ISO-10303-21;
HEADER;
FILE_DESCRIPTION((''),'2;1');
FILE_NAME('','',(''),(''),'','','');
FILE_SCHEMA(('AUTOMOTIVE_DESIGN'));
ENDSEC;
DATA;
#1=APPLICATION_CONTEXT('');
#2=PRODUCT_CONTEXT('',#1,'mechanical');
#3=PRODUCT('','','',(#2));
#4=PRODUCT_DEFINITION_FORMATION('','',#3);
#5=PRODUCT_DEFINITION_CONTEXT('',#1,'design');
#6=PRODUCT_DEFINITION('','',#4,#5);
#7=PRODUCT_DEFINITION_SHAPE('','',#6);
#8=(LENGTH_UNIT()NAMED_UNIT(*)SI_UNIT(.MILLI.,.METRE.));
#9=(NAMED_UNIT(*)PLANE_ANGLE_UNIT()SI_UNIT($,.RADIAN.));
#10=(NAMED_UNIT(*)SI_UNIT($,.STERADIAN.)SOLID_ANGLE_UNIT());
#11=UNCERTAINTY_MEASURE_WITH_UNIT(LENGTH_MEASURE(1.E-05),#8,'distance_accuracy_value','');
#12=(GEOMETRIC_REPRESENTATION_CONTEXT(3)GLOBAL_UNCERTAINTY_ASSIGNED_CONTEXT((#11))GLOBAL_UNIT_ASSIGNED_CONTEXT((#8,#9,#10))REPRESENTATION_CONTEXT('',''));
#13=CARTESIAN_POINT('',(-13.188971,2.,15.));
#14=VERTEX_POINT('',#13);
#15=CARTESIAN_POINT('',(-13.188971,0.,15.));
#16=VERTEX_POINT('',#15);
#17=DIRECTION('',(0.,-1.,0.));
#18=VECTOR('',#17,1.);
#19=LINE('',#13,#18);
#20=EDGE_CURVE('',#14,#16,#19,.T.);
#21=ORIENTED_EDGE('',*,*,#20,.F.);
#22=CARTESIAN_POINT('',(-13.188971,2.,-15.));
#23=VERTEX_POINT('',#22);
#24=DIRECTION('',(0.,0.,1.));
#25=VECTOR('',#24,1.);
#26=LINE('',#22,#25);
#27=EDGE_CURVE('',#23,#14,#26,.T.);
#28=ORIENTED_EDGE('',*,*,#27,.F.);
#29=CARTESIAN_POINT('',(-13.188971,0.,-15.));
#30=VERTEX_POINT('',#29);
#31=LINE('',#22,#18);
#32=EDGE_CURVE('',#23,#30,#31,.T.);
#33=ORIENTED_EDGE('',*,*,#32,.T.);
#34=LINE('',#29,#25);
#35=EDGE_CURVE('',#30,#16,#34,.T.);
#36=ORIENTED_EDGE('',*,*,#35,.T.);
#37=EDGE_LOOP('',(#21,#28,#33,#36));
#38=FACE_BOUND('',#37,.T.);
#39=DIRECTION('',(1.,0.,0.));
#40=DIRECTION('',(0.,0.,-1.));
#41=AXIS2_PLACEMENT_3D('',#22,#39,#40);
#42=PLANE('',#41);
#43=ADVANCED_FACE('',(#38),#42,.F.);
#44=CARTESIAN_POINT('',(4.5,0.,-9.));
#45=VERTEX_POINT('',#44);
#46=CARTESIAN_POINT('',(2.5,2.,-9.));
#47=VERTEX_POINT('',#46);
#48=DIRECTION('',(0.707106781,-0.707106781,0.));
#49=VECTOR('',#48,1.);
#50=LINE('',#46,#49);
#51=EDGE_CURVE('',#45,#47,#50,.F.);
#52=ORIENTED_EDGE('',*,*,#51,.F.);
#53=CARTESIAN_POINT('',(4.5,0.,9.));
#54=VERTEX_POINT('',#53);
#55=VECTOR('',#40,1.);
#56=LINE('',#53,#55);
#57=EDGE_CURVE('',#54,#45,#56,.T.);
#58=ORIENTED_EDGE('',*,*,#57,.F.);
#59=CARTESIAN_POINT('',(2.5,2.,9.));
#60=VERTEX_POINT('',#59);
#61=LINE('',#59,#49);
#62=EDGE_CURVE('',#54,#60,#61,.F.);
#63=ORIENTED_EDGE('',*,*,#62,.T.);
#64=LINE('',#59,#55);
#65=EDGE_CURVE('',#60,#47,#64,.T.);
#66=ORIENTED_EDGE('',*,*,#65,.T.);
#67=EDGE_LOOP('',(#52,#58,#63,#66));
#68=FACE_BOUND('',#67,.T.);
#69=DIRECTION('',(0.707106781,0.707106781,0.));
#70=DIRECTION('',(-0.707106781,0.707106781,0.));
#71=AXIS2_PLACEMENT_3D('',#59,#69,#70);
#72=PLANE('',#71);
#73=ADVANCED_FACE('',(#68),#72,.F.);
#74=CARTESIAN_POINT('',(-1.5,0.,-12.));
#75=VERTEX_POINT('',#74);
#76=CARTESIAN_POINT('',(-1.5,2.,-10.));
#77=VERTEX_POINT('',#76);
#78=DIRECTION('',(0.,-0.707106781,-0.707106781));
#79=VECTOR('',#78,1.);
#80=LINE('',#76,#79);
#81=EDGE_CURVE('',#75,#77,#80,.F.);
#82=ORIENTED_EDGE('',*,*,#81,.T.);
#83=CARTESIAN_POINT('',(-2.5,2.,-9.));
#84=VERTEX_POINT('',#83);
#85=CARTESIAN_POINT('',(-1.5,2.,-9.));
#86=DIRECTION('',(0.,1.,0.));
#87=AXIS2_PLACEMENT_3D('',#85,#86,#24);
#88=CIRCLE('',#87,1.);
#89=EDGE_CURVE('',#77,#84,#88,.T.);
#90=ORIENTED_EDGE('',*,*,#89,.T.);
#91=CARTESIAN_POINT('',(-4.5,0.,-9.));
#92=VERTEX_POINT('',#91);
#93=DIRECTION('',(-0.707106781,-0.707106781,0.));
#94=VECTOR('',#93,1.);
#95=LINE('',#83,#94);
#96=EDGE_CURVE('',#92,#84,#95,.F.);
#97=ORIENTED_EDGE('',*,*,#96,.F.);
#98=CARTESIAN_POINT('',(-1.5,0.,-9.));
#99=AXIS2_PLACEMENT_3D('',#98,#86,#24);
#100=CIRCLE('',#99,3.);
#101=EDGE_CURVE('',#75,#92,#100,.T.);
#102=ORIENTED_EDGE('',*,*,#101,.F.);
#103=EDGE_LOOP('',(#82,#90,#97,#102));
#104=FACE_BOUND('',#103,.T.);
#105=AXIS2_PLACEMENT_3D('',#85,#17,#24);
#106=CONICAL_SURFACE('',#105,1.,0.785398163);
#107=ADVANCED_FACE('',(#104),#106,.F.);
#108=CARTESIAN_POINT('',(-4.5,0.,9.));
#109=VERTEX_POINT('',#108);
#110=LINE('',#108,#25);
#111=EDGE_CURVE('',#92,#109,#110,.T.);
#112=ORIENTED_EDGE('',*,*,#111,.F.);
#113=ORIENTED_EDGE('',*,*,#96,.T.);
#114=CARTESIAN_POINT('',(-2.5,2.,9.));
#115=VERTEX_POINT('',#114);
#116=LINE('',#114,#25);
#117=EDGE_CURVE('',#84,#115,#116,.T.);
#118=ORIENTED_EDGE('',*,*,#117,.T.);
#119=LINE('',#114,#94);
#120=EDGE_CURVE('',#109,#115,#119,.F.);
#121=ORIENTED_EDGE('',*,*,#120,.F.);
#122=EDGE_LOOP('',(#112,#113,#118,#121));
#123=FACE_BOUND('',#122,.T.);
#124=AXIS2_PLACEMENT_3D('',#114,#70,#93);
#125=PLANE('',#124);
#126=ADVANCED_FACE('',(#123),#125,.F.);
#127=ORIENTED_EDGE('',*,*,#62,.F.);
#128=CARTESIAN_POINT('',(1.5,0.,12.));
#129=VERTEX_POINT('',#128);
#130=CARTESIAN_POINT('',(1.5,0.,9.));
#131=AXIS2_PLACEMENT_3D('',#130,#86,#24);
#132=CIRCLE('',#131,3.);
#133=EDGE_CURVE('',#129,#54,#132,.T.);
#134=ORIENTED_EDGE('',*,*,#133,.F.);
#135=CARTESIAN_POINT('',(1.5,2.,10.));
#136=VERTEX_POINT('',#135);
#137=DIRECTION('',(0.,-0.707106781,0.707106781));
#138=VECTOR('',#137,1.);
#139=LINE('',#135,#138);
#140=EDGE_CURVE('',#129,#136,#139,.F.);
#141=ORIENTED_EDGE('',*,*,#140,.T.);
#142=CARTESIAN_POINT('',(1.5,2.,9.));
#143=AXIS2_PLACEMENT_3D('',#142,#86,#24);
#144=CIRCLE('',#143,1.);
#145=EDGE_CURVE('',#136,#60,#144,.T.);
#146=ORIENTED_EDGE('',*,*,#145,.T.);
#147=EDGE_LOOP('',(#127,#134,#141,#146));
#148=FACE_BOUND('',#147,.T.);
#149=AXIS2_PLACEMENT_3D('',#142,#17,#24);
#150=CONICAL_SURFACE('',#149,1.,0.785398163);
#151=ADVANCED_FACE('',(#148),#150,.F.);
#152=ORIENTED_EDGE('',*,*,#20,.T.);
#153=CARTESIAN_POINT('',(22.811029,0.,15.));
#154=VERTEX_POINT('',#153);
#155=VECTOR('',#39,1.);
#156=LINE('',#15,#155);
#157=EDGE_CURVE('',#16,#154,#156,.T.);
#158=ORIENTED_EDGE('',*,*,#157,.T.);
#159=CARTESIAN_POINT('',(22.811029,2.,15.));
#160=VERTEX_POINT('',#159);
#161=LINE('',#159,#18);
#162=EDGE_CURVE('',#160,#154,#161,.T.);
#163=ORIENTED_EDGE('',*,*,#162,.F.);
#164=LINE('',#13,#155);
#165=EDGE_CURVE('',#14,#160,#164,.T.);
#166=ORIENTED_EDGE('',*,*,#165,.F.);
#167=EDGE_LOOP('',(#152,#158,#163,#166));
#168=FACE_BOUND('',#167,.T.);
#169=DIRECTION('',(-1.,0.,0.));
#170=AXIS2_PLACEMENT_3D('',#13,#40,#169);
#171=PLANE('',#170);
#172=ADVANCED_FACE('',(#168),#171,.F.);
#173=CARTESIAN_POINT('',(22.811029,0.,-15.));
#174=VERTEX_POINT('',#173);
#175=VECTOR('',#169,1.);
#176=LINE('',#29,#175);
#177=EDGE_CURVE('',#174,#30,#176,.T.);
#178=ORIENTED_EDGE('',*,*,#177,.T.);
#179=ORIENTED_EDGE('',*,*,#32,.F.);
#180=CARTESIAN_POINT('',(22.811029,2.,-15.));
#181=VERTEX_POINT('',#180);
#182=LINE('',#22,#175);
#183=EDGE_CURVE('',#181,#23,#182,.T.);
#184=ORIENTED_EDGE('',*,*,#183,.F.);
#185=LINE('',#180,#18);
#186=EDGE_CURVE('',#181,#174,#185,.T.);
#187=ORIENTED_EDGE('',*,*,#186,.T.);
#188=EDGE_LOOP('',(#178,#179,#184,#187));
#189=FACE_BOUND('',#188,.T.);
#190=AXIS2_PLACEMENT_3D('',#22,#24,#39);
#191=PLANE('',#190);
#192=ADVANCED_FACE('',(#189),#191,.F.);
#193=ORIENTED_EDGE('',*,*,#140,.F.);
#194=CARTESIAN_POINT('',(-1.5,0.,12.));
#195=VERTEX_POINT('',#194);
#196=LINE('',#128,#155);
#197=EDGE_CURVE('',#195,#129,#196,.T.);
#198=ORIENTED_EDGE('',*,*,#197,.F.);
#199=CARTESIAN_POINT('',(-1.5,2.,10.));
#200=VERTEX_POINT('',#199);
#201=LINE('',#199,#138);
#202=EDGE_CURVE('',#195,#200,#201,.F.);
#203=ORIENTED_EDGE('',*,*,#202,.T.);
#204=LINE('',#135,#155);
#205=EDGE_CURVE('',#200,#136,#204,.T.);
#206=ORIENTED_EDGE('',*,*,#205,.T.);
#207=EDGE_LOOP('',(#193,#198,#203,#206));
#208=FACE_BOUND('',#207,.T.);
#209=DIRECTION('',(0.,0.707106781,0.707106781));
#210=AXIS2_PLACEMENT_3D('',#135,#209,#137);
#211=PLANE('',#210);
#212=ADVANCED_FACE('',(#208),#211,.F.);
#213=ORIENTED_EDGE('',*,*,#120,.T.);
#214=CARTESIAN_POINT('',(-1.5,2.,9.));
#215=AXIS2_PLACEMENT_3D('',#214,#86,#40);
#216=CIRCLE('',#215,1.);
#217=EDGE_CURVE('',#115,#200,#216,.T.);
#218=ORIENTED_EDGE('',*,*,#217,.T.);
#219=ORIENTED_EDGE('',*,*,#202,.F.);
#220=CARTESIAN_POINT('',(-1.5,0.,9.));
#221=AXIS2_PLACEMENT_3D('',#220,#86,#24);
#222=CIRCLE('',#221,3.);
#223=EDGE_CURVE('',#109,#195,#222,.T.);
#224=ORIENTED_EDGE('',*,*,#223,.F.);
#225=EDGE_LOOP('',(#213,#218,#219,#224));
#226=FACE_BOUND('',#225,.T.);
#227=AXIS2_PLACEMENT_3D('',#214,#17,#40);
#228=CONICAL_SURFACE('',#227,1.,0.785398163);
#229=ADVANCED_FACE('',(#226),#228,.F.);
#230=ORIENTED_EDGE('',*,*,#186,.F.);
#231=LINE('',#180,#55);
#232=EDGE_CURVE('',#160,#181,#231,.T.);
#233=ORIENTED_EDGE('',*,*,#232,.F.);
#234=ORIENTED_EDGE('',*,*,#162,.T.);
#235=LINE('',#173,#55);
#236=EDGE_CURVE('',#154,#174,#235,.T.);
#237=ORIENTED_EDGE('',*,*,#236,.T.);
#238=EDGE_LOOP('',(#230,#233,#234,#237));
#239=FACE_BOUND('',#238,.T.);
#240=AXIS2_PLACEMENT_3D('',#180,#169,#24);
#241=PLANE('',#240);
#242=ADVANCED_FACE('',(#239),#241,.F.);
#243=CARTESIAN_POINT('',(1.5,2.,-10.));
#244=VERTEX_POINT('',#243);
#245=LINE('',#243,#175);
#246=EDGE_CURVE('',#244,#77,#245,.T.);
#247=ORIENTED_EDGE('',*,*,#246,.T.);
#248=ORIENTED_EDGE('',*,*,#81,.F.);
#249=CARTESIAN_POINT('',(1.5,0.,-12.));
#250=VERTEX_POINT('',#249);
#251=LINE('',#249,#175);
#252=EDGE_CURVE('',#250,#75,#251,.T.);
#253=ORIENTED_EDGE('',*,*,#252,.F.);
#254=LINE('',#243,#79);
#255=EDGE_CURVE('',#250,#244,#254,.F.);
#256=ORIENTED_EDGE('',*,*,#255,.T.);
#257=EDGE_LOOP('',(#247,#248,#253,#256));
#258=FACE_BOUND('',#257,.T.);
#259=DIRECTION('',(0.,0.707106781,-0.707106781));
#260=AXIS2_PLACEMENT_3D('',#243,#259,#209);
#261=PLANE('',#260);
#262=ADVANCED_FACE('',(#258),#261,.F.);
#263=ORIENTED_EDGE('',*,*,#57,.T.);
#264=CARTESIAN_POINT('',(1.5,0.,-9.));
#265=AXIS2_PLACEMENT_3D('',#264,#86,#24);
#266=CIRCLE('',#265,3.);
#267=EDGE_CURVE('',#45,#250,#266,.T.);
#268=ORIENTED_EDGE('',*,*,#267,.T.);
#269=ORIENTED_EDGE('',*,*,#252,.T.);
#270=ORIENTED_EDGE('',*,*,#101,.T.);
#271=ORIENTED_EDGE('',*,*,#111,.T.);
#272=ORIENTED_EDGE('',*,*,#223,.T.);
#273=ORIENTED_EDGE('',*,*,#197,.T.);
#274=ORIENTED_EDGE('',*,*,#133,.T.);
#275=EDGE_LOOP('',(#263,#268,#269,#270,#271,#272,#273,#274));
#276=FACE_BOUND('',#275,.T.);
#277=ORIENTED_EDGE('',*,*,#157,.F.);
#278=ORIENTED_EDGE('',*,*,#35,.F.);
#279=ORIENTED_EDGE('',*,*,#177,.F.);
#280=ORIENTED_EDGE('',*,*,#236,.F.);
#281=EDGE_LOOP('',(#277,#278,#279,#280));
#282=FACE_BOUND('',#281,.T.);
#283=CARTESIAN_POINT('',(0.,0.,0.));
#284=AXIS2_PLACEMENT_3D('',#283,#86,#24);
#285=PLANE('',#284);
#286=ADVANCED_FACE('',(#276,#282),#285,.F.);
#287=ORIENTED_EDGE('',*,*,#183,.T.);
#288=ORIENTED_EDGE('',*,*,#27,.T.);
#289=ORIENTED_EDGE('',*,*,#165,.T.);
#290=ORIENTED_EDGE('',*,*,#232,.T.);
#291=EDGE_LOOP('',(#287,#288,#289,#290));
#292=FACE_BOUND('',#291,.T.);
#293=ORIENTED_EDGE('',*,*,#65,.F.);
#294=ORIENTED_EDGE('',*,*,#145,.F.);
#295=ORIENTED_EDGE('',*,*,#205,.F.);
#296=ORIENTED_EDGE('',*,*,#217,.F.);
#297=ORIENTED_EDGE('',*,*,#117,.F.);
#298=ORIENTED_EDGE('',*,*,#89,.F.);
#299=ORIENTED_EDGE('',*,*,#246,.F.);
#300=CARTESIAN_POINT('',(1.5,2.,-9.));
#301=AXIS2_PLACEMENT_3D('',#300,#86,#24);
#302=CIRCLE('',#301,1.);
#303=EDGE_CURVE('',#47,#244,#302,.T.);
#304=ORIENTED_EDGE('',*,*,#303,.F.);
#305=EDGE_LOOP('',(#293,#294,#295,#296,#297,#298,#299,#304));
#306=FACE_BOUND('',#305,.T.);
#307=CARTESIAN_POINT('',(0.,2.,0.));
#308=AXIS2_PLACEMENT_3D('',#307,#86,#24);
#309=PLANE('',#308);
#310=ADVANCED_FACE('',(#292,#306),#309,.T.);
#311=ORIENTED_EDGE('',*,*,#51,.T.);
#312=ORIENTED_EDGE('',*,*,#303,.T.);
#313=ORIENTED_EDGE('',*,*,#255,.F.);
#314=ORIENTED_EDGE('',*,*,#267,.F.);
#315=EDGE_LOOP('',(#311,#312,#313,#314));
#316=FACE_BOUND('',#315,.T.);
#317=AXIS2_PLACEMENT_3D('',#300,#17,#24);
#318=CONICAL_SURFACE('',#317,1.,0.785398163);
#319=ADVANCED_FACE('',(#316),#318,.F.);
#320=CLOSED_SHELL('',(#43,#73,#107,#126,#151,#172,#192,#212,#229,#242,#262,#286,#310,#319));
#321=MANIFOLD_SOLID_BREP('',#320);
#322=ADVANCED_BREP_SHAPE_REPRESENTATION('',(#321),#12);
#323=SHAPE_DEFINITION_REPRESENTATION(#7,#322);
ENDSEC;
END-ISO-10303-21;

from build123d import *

# Parameters (mm, degrees)
SKETCH2_W           = 36
SKETCH2_H           = 30
BOSS_EXTRUDE1_DEPTH = 2
CUT_EXTRUDE4_DEPTH  = 3
CUT_EXTRUDE4_TAPER  = -45


with BuildPart() as part:
    # Sketch2 → Boss-Extrude1 (new body)
    with BuildSketch(Plane(origin=(0, 0, 0), x_dir=(1, 0, 0), z_dir=(0, 1, 0))):
        with Locations((4.811028754, 0)):
            Rectangle(SKETCH2_W, SKETCH2_H)
    extrude(amount=BOSS_EXTRUDE1_DEPTH)

    # Sketch4 → Cut-Extrude4 (cut, through all)
    with BuildSketch(Plane(origin=(0, 2, 0), x_dir=(1, 0, 0), z_dir=(0, 1, 0))):
        with BuildLine():
            ThreePointArc((1.5, -10), (2.207106781, -9.707106781), (2.5, -9))
            Line((2.5, -9), (2.5, 9))
            ThreePointArc((2.5, 9), (2.207106781, 9.707106781), (1.5, 10))
            Line((1.5, 10), (-1.5, 10))
            ThreePointArc((-1.5, 10), (-2.207106781, 9.707106781), (-2.5, 9))
            Line((-2.5, 9), (-2.5, -9))
            ThreePointArc((-2.5, -9), (-2.207106781, -9.707106781), (-1.5, -10))
            Line((-1.5, -10), (1.5, -10))
        make_face()
    extrude(amount=-CUT_EXTRUDE4_DEPTH, taper=CUT_EXTRUDE4_TAPER, mode=Mode.SUBTRACT)


solid = part.part
